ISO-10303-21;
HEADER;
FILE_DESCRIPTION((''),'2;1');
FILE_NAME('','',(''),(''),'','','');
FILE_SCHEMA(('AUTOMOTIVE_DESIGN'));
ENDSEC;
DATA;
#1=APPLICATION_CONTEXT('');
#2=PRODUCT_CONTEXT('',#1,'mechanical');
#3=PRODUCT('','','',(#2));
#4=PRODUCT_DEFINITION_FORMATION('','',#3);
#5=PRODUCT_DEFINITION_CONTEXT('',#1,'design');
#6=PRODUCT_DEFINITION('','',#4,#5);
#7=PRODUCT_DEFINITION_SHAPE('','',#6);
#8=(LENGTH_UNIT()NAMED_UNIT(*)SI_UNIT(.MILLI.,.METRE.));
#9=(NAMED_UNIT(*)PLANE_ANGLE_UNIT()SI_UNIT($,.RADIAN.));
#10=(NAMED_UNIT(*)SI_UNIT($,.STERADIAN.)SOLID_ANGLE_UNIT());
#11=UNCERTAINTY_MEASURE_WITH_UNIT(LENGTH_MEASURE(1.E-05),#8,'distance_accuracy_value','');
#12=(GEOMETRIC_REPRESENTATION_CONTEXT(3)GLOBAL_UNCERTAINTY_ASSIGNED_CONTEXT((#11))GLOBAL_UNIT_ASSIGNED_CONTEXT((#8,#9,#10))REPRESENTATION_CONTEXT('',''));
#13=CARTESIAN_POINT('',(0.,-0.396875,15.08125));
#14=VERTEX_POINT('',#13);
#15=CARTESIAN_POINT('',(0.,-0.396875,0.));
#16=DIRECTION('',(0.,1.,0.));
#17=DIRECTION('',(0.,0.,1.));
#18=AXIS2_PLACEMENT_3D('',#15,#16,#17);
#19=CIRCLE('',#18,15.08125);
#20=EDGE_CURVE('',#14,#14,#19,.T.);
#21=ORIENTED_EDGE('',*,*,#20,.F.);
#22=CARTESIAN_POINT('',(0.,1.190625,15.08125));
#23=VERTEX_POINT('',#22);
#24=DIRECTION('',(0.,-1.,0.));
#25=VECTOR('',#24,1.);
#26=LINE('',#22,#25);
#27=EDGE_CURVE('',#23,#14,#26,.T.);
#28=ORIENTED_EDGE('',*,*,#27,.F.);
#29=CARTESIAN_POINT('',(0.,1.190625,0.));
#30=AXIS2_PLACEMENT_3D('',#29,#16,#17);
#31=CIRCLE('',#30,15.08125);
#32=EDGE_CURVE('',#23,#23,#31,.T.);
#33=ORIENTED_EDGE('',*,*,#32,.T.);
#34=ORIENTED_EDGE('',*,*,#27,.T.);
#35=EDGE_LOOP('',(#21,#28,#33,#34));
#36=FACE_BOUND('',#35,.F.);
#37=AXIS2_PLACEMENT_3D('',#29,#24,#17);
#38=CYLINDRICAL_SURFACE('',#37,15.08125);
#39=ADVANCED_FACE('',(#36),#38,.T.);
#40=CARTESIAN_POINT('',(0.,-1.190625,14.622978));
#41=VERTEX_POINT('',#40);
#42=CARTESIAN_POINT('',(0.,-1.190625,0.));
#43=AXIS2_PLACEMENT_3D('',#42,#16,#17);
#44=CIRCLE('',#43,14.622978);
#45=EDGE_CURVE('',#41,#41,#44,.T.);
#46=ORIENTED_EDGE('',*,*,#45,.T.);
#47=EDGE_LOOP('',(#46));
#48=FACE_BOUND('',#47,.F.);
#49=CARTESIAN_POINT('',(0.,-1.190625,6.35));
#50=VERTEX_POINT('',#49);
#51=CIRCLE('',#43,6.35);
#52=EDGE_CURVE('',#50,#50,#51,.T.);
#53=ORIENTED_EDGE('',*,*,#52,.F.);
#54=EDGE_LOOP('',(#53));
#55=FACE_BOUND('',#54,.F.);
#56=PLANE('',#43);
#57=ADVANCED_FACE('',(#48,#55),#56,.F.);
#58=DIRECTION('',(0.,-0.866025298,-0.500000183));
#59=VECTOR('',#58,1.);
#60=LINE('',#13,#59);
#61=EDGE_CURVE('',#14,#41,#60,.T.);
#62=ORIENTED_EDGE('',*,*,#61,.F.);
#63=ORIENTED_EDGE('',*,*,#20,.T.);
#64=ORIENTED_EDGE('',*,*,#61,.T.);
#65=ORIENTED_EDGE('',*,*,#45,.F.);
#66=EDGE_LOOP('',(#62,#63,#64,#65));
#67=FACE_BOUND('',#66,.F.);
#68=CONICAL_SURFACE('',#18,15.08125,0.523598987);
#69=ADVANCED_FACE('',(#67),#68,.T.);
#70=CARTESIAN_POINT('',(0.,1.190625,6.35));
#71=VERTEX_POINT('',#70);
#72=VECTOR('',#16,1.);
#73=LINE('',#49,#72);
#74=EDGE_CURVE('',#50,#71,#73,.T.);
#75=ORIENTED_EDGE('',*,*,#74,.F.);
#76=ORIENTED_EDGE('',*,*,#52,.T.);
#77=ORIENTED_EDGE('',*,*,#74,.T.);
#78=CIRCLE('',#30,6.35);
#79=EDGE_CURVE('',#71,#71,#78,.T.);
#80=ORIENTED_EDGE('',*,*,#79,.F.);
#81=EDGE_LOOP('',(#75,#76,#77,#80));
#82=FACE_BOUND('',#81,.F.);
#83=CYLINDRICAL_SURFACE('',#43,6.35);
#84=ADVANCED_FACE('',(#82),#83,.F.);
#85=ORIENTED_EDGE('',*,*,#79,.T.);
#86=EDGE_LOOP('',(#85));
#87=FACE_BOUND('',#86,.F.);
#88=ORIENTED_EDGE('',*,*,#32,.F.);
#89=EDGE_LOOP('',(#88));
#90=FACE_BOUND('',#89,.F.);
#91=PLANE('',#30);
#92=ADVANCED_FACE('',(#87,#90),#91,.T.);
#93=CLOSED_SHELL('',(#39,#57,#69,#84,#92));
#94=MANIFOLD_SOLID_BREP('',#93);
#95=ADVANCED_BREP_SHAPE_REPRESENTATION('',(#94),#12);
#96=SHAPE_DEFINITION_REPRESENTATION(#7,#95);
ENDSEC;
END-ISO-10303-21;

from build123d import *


with BuildPart() as f1:
    # F0 (on Right) → F1 (revolve)
    with BuildSketch(Plane.YZ):
        Polygon((-0.396875, 15.08125), (-1.190625, 14.622978), (-1.190625, 6.35), (1.190625, 6.35), (1.190625, 15.08125), align=None)
    revolve(axis=Axis((0, 0.197977, 0), (0, 1, 0)))


solid = f1.part
